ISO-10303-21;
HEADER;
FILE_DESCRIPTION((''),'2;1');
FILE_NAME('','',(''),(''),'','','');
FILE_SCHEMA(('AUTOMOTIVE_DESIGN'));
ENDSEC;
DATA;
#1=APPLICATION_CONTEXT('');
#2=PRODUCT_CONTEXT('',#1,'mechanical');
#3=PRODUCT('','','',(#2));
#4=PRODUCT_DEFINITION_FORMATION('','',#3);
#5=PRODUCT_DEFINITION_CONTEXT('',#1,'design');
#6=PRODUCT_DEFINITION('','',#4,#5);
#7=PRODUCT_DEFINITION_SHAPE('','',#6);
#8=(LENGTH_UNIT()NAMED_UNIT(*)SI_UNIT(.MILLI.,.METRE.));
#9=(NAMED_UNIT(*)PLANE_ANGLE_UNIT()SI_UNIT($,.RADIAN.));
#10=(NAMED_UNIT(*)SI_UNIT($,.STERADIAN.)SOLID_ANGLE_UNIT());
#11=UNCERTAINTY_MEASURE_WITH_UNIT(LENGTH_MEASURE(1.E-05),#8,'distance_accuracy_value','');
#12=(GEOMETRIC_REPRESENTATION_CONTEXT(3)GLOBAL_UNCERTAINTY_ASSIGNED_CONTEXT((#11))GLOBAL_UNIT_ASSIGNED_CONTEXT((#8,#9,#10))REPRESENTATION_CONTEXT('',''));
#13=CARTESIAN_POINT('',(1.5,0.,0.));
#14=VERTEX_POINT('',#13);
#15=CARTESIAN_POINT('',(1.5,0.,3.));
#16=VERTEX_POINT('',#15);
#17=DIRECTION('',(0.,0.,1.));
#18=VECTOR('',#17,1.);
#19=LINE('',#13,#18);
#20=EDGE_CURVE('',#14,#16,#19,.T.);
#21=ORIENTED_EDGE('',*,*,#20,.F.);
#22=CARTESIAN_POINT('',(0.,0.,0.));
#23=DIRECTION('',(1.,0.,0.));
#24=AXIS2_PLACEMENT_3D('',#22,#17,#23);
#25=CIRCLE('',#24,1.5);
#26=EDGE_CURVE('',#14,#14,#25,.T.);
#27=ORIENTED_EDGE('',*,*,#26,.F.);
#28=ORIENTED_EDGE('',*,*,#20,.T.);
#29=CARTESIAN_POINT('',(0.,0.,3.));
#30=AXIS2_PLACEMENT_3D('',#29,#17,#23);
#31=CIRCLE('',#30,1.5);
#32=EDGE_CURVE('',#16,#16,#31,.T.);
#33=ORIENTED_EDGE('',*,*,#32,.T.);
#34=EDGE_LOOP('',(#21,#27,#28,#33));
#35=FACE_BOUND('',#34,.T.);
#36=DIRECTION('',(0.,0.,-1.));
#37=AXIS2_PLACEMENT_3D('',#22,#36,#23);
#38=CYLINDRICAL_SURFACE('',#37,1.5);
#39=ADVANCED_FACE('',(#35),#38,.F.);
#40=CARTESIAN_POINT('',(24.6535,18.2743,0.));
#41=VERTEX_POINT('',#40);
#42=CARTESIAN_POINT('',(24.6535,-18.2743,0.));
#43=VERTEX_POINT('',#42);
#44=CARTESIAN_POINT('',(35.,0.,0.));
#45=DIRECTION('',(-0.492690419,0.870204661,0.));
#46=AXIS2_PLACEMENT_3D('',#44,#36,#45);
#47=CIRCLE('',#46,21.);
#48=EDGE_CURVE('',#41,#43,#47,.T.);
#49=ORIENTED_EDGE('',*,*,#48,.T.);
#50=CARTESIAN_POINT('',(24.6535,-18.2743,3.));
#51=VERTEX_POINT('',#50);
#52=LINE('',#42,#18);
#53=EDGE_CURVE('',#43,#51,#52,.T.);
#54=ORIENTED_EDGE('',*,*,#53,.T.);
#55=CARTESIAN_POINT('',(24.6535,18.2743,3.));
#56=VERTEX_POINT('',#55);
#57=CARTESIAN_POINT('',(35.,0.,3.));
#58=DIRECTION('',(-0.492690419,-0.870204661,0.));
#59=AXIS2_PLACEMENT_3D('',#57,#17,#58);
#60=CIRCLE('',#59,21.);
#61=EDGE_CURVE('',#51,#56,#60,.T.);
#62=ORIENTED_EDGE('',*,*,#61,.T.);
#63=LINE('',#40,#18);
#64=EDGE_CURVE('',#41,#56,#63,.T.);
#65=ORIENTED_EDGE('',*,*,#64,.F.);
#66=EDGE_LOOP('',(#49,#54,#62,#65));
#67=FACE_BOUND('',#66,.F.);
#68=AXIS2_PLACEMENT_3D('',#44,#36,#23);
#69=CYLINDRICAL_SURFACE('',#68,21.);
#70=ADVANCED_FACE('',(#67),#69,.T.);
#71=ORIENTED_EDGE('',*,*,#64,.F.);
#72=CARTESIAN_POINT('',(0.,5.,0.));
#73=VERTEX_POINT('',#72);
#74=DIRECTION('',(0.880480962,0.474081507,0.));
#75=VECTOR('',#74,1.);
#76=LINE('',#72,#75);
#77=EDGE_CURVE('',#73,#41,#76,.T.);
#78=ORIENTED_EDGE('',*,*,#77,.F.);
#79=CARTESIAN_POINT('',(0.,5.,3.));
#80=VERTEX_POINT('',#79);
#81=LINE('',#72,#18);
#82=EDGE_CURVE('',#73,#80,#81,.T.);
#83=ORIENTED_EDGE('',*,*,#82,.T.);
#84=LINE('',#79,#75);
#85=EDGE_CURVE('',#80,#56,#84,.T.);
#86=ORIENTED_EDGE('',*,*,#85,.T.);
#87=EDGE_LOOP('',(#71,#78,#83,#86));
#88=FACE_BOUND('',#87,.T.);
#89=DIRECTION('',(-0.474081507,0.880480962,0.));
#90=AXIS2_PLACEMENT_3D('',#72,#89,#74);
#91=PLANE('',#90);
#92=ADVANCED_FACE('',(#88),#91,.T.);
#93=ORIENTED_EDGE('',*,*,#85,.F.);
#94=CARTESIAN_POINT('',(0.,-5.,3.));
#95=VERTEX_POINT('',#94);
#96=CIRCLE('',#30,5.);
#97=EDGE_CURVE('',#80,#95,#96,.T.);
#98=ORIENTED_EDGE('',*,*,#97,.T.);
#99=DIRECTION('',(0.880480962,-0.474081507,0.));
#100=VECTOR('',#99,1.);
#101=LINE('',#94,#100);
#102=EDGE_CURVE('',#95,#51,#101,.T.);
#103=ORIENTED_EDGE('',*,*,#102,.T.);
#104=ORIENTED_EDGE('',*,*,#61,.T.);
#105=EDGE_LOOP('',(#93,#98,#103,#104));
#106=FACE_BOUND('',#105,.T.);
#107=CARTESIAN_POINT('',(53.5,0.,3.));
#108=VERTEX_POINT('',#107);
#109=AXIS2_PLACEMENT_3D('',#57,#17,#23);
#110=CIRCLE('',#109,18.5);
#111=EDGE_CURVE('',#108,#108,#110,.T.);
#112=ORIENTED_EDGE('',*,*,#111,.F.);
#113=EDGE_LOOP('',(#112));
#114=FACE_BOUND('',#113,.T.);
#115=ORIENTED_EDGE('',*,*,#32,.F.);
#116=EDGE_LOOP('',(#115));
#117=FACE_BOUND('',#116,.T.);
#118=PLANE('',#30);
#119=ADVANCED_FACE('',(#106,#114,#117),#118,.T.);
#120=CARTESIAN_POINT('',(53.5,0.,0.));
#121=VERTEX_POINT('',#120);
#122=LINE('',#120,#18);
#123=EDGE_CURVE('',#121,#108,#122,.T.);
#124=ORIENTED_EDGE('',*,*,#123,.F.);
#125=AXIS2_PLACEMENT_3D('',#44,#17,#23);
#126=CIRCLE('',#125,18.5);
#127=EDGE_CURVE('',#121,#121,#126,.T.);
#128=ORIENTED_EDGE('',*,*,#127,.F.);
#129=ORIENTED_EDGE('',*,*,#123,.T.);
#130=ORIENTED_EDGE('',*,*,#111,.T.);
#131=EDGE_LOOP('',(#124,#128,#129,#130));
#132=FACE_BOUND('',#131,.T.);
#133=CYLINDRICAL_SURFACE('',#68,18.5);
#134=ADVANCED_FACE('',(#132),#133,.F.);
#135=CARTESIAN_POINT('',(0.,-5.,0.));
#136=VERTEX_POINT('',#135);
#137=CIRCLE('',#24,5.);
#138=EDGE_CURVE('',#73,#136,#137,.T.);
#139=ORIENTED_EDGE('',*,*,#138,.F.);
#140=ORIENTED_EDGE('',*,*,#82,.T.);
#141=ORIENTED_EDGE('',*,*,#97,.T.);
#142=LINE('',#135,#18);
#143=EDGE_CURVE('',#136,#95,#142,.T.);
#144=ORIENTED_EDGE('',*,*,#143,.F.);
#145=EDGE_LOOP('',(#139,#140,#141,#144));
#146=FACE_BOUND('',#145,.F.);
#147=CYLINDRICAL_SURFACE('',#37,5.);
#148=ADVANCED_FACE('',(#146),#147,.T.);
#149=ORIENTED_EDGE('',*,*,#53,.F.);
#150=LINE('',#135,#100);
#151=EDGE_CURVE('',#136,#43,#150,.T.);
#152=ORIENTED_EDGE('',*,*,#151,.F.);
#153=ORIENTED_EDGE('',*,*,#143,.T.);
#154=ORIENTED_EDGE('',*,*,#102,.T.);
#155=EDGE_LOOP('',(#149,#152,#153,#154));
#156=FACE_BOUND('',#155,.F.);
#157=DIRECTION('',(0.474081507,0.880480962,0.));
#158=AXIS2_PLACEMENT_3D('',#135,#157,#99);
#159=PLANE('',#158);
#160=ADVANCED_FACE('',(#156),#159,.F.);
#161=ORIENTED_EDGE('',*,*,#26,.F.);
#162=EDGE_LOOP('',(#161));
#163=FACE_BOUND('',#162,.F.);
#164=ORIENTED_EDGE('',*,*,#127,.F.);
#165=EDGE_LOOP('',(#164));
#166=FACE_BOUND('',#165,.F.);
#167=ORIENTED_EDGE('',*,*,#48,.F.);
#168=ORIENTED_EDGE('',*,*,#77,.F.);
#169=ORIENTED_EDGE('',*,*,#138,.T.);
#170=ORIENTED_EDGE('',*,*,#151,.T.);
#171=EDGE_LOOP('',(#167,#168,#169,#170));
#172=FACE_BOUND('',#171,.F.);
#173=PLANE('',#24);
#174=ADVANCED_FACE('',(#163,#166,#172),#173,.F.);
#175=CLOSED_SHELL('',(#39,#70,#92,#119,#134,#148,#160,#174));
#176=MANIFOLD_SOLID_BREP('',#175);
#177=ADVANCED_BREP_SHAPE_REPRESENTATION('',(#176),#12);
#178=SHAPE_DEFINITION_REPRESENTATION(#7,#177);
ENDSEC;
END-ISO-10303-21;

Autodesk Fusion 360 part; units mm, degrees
sketch "Sketch1" plane through (0, 0, 0) normal (0, 0, 1) x (1, 0, 0)
  circle A0 centre (0, 0) radius 1.5
  circle A1 centre (35, 0) radius 18.5
  circle A2 centre (0, 0) radius 5
  circle A3 centre (35, 0) radius 21
  line L0 (0, -5) -> (24.6535, -18.2743)
  line L1 (0, 5) -> (24.6535, 18.2743)
  dimension "d1" = 3
  dimension "d2" = 37
  dimension "d3" = 35
  dimension "d4" = 10
  dimension "d7" = 42
  dimension "d8" = 28
  dimension "d9" = 28
extrude "Extrude1" add sketch "Sketch1" along normal blind 3
